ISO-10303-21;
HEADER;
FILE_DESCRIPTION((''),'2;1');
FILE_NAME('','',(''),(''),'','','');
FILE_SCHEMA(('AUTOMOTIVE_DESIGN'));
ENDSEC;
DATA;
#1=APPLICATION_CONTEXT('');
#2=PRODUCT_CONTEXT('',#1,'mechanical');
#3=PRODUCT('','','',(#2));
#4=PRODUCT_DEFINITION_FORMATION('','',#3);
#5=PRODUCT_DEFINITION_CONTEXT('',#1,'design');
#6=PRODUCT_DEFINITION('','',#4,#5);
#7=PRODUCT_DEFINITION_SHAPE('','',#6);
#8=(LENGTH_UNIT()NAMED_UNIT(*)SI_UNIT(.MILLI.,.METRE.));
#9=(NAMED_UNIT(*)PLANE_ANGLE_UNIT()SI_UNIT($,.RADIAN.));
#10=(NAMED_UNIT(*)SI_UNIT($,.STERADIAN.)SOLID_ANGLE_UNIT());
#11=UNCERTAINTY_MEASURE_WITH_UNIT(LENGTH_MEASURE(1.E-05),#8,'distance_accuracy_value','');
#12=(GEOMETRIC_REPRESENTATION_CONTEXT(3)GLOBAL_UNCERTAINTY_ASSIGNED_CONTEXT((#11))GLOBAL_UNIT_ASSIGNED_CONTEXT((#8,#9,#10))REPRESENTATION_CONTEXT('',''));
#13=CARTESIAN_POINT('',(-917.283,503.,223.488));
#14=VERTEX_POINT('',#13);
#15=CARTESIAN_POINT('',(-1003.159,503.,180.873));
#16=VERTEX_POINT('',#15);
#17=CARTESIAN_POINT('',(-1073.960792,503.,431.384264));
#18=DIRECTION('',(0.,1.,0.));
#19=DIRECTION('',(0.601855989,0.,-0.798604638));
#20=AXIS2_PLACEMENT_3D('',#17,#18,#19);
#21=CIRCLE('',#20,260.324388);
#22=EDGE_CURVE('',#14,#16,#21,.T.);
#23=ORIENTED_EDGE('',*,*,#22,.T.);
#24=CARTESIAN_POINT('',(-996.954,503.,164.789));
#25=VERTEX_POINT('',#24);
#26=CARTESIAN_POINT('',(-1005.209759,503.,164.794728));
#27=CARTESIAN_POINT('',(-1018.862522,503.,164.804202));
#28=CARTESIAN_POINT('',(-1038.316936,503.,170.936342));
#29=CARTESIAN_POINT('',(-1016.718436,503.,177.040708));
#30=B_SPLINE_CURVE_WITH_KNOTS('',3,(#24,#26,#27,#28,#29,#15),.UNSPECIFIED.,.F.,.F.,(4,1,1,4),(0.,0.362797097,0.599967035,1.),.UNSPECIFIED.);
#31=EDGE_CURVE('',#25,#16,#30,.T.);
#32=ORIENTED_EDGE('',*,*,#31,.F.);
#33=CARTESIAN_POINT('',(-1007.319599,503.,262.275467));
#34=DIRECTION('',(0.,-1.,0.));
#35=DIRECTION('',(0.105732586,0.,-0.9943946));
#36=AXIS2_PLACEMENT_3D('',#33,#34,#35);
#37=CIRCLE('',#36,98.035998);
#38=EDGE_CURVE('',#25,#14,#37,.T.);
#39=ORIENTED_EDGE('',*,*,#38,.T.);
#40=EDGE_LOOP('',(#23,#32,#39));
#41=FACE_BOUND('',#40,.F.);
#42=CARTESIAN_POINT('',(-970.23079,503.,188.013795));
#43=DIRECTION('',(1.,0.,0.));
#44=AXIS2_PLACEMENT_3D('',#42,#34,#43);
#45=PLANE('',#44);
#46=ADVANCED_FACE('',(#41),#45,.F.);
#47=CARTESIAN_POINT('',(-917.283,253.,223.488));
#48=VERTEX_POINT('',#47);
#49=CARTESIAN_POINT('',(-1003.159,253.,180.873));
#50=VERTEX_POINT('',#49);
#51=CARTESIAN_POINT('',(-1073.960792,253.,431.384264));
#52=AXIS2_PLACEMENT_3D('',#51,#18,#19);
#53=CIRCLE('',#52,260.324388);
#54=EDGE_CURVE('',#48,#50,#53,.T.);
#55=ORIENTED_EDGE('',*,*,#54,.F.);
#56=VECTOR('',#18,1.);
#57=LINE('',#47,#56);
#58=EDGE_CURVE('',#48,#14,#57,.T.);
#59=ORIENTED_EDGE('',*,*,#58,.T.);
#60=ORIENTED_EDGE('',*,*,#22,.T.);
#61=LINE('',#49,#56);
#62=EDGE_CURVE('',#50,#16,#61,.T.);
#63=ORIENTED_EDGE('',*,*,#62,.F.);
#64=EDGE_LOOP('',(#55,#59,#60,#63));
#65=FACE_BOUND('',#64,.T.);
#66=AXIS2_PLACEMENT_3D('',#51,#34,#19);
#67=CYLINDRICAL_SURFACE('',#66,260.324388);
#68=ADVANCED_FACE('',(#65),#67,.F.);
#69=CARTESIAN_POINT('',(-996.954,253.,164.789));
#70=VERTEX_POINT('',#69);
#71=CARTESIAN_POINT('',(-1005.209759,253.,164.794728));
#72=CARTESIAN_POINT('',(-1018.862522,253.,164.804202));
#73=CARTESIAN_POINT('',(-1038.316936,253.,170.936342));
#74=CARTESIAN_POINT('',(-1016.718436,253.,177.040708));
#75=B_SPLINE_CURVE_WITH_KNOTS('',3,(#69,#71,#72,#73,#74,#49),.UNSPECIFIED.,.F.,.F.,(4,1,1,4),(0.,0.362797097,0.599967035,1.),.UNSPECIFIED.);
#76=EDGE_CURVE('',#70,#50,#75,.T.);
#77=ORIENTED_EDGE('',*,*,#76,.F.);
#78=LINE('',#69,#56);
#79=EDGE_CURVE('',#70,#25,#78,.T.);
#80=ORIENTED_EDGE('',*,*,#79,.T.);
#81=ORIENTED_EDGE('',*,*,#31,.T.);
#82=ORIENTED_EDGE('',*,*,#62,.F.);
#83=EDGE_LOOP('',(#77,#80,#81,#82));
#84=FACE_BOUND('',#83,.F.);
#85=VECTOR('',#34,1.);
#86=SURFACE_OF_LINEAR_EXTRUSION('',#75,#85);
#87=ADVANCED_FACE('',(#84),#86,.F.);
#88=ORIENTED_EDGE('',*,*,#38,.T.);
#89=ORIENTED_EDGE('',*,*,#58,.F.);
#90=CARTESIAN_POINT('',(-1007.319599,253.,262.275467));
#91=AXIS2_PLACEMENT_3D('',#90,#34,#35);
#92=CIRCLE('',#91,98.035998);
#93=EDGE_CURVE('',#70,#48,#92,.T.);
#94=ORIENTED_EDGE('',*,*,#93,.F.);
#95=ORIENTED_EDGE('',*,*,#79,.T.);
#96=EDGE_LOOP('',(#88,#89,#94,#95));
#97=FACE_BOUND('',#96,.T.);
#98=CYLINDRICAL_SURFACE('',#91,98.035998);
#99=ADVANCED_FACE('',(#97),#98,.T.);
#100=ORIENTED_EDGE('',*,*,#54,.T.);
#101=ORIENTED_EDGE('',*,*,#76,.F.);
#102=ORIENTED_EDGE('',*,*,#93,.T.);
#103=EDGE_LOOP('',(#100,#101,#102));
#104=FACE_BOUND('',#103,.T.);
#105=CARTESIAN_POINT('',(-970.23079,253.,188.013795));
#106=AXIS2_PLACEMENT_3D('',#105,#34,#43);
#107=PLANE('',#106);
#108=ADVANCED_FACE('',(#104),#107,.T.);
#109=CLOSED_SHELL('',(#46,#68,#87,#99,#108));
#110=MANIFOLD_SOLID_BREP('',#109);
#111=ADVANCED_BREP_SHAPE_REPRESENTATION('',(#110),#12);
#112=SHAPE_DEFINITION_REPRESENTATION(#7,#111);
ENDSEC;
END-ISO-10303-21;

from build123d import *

# Parameters (mm, degrees)
F2_DEPTH = 250


with BuildPart() as f2:
    # F1 (on offset) → F2 (new body)
    with BuildSketch(Plane.XZ.offset(-253)):
        with BuildLine():
            ThreePointArc((-917.283, 223.488), (-958.2423844794, 198.1932751625), (-1003.159, 180.873))
            add(Edge.make_bspline(
                [(-996.954, 164.789), (-1005.2097586157, 164.7947284011), (-1018.8625222657, 164.8042016076), (-1038.3169357309, 170.9363415679), (-1016.7184359066, 177.0407077924), (-1003.159, 180.873)],
                knots=[0, 0, 0, 0, 0.3627970971, 0.5999670351, 1, 1, 1, 1], degree=3))
            ThreePointArc((-996.954, 164.789), (-949.1685587415, 183.3482008466), (-917.283, 223.488))
        make_face()
    extrude(amount=-F2_DEPTH)


solid = f2.part
